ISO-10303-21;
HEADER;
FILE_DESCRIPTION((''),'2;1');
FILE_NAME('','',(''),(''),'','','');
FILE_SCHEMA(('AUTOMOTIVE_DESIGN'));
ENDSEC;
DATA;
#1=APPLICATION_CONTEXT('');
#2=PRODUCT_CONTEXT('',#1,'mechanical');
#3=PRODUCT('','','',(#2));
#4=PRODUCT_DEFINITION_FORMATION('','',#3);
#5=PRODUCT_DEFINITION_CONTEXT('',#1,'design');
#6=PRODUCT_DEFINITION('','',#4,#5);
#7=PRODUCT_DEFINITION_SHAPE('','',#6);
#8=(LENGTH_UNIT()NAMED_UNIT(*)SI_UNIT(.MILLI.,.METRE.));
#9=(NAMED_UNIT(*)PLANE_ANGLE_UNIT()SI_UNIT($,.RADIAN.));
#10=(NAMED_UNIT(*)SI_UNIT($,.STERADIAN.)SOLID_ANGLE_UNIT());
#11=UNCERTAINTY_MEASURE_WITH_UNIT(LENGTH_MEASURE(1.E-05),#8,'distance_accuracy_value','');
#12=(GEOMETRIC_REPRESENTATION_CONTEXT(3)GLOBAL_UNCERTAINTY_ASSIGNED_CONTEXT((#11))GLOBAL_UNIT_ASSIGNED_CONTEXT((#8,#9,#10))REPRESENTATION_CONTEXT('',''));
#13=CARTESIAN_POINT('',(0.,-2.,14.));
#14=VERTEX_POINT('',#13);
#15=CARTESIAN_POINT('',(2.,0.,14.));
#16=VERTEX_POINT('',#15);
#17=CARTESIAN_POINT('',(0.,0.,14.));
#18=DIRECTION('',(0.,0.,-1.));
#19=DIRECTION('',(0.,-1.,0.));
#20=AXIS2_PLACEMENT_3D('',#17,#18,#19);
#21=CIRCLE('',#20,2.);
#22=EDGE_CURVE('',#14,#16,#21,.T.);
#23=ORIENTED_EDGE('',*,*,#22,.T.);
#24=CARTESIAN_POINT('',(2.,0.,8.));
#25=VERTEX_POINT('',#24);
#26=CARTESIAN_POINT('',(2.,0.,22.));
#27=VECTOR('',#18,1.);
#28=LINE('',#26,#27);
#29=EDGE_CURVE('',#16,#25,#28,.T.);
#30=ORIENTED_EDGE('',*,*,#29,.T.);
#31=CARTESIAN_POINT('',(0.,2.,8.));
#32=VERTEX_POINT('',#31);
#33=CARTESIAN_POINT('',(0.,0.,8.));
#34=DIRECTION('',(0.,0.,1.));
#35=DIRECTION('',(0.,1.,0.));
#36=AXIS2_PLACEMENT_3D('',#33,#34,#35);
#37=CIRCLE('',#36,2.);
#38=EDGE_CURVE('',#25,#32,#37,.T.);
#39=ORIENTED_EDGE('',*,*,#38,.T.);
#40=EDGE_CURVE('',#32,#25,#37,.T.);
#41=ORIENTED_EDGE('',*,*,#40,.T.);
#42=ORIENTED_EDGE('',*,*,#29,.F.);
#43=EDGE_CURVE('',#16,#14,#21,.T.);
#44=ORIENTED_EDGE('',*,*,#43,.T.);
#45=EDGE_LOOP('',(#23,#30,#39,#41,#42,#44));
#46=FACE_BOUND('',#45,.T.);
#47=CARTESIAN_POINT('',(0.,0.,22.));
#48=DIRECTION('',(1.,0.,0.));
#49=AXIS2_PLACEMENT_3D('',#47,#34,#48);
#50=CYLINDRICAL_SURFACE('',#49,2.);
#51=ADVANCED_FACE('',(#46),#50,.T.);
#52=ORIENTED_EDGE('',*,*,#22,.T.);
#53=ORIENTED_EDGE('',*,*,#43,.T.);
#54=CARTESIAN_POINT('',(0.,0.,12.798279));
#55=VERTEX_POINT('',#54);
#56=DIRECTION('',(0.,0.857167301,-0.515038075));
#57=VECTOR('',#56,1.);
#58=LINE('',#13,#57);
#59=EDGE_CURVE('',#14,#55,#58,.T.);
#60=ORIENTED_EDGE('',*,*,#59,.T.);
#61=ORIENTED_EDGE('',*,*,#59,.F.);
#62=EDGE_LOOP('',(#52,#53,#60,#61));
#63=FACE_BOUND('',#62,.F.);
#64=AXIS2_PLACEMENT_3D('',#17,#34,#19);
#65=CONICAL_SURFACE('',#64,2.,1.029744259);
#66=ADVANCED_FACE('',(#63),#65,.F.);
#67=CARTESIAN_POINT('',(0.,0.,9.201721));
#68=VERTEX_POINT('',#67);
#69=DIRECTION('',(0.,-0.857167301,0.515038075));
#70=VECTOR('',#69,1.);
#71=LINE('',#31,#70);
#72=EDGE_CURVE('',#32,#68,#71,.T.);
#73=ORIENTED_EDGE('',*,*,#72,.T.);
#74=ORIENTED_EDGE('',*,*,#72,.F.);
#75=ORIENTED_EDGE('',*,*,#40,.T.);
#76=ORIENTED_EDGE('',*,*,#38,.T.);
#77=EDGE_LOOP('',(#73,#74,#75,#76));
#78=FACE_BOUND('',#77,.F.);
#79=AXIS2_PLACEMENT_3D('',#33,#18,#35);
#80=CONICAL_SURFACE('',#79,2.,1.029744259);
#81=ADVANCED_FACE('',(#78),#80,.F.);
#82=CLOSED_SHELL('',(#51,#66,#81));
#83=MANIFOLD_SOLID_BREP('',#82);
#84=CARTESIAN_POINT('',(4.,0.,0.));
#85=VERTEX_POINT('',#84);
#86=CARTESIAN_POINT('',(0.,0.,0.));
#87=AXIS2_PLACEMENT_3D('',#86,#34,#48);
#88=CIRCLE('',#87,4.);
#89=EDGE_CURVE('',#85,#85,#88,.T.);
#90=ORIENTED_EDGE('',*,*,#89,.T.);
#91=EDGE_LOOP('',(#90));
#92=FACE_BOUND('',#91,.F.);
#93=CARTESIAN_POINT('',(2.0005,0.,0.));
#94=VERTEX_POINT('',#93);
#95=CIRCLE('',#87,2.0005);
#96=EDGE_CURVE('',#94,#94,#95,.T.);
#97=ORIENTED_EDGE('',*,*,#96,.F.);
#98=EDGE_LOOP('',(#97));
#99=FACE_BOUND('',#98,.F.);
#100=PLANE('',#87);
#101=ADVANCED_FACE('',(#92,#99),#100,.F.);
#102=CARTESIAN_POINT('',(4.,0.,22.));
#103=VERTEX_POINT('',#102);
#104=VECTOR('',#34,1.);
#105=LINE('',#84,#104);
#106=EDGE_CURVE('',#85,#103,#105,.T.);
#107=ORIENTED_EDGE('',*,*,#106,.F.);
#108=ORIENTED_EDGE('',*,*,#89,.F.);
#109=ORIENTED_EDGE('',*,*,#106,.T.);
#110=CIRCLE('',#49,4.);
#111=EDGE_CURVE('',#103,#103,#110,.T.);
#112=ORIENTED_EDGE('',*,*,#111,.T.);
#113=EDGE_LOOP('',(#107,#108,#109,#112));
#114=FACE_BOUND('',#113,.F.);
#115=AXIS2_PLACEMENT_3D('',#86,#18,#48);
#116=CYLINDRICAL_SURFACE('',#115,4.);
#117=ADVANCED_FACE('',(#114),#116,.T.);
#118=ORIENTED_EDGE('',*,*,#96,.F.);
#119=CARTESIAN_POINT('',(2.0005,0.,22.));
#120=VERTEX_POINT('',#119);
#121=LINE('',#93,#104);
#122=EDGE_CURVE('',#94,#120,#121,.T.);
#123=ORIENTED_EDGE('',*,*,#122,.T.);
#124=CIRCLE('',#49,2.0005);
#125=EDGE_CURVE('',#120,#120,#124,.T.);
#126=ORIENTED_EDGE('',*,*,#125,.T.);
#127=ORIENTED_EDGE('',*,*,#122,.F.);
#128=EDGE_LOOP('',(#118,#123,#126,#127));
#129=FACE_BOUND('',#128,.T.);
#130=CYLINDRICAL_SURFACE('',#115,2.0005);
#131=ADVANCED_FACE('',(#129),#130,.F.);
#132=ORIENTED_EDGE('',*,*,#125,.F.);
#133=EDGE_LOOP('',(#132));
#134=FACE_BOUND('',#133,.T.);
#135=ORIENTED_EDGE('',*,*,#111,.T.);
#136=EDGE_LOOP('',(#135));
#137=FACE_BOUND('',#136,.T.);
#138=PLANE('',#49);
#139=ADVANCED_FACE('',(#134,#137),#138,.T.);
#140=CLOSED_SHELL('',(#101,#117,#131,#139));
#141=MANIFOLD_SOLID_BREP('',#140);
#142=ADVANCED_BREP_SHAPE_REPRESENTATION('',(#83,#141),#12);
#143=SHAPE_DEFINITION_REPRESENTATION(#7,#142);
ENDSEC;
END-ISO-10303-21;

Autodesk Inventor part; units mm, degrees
ref_plane "YZ Plane" through (0, 0, 0) normal (1, 0, 0) x (0, 1, 0)
ref_plane "XZ Plane" through (0, 0, 0) normal (0, 1, 0) x (-1, 0, 0)
ref_plane "XY Plane" through (0, 0, 0) normal (0, 0, 1) x (1, 0, 0)
sketch "スケッチ1" plane through (0, 0, 0) normal (0, 0, 1) x (1, 0, 0)
  circle A0 centre (0, 0) radius 4
  circle A1 centre (0, 0) radius 2.0005
  dimension "d0" = 8
  dimension "d1" = 4.001
extrude "押し出し1" add sketch "スケッチ1" along normal blind 22
sketch "スケッチ2" plane through (0, 0, 22) normal (0, 0, 1) x (1, 0, 0)
  circle A0 centre (0, 0) radius 2
  dimension "d4" = 4
extrude "押し出し2" add sketch "スケッチ2" against normal blind 20
hole "穴1" at (0, 0, 22) direction (0, 0, -1) diameter 4 depth 8 tip angle 118
hole "穴2" at (0, 0, 0) direction (0, 0, 1) diameter 4 depth 8 tip angle 118
properties part number "スペーサーm4-22　簡易筒型" material "アルミニウム 2014-T4"
